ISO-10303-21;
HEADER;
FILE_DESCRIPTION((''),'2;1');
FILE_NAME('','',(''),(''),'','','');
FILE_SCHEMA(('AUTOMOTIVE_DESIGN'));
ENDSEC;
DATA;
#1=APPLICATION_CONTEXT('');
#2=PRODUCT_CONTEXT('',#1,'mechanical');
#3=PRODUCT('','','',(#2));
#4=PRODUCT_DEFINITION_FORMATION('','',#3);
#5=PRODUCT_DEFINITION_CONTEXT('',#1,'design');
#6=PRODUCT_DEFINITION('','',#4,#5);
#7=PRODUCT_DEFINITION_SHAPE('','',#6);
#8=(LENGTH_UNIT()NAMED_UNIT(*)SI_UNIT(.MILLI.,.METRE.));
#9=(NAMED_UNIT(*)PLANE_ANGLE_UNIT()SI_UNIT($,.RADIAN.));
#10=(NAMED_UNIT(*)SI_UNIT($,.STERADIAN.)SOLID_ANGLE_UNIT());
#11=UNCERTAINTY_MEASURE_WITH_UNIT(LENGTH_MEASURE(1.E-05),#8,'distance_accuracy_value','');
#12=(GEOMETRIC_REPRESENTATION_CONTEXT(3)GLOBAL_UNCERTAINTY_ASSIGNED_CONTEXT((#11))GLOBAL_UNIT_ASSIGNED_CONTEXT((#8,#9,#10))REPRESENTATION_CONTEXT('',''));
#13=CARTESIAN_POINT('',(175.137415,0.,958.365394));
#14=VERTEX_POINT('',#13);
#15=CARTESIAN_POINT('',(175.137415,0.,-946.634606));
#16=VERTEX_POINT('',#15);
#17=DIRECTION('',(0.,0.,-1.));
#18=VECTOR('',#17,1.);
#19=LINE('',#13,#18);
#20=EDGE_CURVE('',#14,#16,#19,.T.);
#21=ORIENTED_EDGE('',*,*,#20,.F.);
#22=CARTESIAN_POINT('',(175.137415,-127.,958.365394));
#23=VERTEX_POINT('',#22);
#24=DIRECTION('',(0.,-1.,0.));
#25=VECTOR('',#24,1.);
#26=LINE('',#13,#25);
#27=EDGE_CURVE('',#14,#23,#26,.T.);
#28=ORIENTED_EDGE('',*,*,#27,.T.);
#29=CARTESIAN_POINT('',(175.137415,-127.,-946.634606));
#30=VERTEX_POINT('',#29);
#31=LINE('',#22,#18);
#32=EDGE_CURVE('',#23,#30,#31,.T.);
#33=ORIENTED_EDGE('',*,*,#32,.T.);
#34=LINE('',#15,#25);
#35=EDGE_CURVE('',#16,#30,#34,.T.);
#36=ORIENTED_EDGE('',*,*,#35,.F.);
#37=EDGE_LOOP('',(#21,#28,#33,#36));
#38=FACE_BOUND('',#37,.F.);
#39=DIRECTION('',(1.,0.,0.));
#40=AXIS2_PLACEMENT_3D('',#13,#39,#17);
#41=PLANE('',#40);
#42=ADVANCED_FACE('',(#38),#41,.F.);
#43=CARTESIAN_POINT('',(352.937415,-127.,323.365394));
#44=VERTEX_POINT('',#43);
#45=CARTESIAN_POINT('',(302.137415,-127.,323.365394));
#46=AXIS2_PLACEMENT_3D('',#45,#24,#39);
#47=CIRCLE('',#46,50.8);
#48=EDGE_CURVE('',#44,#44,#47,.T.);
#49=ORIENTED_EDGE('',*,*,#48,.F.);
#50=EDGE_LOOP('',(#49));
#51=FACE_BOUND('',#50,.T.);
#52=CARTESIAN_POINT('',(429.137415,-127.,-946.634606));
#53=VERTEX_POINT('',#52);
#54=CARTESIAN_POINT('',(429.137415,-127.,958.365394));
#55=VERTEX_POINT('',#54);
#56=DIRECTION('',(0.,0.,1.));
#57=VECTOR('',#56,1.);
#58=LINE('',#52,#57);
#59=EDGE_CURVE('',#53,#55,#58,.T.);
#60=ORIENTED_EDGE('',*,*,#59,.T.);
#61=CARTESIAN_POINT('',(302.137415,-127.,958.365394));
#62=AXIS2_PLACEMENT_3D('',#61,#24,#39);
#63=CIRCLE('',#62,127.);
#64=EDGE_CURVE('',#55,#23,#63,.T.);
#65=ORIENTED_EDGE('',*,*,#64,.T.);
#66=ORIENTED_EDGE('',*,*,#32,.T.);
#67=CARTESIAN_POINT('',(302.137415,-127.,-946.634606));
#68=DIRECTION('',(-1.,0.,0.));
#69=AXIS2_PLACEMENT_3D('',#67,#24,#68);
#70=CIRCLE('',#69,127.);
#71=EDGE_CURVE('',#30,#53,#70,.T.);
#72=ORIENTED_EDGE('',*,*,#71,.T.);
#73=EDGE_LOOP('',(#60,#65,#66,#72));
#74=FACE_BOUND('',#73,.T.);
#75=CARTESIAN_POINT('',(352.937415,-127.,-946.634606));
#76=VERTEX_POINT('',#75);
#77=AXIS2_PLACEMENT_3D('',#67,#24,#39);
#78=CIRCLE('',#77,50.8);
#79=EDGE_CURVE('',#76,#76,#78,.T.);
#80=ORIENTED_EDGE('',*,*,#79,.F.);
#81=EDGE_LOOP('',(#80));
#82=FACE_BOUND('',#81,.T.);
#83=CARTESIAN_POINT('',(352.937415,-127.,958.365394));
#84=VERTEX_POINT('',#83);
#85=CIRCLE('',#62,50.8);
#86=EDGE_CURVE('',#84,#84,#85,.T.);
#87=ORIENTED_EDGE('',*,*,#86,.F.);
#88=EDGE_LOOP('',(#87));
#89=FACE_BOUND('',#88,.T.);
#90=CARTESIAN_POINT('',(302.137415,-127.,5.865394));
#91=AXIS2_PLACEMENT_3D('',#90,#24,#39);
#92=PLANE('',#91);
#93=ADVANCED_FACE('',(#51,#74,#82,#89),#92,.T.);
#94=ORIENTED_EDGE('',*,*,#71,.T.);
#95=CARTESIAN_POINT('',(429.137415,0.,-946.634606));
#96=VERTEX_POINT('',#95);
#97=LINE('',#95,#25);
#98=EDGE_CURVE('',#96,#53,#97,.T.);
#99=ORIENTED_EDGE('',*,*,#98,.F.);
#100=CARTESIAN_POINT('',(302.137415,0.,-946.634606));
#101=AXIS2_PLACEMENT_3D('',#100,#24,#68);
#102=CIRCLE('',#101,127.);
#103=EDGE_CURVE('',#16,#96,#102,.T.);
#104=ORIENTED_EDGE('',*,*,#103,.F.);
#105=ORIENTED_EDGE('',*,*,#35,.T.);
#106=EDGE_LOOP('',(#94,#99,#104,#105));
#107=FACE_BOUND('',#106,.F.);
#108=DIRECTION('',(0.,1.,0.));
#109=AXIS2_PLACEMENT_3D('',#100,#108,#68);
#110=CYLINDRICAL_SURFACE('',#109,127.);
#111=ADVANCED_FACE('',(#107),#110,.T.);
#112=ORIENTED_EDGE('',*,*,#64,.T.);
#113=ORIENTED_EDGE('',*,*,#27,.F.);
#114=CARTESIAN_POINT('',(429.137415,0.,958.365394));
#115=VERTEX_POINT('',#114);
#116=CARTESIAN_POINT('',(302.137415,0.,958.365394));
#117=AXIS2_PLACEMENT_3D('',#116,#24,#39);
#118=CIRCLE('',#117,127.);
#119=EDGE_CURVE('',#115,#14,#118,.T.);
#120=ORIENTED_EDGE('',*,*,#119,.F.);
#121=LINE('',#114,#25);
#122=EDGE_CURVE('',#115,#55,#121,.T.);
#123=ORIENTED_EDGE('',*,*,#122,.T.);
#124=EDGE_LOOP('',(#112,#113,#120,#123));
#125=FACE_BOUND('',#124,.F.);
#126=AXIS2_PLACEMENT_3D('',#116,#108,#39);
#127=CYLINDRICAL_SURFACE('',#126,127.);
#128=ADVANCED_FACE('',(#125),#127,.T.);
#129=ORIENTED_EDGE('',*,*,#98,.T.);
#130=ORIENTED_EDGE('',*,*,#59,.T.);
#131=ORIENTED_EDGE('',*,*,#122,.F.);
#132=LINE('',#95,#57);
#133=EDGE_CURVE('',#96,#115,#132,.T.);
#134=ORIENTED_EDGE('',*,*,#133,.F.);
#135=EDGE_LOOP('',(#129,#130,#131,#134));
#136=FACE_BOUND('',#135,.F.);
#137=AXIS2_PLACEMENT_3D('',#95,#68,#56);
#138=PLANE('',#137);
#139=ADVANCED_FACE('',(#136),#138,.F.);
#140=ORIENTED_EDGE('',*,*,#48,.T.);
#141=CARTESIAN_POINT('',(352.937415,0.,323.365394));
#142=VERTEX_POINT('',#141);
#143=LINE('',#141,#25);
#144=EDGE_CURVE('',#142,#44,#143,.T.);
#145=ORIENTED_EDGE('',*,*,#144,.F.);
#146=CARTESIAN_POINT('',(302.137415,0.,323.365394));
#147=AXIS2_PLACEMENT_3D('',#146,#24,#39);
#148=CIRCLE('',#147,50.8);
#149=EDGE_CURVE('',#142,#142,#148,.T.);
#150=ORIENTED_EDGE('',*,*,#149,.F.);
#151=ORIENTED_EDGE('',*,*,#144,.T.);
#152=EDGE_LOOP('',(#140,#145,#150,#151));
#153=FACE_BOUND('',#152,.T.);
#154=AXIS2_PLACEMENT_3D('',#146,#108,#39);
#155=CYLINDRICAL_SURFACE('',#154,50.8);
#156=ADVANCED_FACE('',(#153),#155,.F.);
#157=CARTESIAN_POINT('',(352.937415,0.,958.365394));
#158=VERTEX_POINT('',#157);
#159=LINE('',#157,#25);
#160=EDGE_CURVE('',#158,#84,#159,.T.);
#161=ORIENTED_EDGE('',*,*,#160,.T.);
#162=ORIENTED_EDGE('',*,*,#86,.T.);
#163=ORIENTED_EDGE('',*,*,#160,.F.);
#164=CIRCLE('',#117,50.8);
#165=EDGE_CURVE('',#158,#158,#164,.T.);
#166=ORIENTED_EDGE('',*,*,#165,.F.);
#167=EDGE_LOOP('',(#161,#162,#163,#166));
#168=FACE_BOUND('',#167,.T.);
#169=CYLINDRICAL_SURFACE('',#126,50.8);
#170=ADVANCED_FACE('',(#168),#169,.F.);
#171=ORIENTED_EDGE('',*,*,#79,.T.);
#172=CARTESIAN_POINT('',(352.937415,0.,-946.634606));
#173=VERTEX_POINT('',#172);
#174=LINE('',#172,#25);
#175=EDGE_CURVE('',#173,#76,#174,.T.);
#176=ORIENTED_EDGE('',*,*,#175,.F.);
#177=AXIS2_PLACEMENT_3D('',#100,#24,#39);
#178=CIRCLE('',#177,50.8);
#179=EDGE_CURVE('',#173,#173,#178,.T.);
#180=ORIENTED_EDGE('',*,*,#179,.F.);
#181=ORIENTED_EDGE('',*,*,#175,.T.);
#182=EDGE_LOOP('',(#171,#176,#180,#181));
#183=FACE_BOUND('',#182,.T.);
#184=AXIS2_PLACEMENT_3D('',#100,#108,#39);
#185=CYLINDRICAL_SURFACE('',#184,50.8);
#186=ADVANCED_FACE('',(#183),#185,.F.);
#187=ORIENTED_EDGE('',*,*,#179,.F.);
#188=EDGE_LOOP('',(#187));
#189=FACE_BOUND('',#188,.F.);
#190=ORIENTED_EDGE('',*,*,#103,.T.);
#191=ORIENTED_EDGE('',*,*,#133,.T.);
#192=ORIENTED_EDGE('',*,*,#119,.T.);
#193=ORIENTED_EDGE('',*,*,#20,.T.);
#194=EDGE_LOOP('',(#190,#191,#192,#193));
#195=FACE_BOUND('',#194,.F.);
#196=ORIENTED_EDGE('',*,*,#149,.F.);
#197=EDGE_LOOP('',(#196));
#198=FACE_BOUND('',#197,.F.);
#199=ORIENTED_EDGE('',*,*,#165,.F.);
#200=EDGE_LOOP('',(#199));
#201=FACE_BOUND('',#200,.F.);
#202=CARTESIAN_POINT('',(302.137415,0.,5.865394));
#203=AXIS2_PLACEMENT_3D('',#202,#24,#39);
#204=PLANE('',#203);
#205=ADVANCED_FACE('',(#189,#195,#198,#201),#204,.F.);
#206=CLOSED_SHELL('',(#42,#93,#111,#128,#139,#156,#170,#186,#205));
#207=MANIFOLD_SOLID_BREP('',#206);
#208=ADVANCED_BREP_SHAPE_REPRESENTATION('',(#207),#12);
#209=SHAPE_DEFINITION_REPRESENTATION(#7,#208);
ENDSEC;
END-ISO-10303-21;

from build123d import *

# Parameters (mm, degrees)
F0_R     = 50.8
F1_DEPTH = 127


with BuildPart() as f1:
    # F0 (on Front) → F1 (new body)
    with BuildSketch(Plane.XZ):
        with BuildLine():
            ThreePointArc((429.137415, 958.365394), (302.137415, 1085.365394), (175.137415, 958.365394))
            Line((175.137415, 958.365394), (175.137415, -946.634606))
            ThreePointArc((175.137415, -946.634606), (302.137415, -1073.634606), (429.137415, -946.634606))
            Line((429.137415, -946.634606), (429.137415, 958.365394))
        make_face()
        with Locations((302.137415, -946.634606)):
            Circle(F0_R, mode=Mode.SUBTRACT)
        with Locations((302.137415, 323.365394)):
            Circle(F0_R, mode=Mode.SUBTRACT)
        with Locations((302.137415, 958.365394)):
            Circle(F0_R, mode=Mode.SUBTRACT)
    extrude(amount=F1_DEPTH)


solid = f1.part
